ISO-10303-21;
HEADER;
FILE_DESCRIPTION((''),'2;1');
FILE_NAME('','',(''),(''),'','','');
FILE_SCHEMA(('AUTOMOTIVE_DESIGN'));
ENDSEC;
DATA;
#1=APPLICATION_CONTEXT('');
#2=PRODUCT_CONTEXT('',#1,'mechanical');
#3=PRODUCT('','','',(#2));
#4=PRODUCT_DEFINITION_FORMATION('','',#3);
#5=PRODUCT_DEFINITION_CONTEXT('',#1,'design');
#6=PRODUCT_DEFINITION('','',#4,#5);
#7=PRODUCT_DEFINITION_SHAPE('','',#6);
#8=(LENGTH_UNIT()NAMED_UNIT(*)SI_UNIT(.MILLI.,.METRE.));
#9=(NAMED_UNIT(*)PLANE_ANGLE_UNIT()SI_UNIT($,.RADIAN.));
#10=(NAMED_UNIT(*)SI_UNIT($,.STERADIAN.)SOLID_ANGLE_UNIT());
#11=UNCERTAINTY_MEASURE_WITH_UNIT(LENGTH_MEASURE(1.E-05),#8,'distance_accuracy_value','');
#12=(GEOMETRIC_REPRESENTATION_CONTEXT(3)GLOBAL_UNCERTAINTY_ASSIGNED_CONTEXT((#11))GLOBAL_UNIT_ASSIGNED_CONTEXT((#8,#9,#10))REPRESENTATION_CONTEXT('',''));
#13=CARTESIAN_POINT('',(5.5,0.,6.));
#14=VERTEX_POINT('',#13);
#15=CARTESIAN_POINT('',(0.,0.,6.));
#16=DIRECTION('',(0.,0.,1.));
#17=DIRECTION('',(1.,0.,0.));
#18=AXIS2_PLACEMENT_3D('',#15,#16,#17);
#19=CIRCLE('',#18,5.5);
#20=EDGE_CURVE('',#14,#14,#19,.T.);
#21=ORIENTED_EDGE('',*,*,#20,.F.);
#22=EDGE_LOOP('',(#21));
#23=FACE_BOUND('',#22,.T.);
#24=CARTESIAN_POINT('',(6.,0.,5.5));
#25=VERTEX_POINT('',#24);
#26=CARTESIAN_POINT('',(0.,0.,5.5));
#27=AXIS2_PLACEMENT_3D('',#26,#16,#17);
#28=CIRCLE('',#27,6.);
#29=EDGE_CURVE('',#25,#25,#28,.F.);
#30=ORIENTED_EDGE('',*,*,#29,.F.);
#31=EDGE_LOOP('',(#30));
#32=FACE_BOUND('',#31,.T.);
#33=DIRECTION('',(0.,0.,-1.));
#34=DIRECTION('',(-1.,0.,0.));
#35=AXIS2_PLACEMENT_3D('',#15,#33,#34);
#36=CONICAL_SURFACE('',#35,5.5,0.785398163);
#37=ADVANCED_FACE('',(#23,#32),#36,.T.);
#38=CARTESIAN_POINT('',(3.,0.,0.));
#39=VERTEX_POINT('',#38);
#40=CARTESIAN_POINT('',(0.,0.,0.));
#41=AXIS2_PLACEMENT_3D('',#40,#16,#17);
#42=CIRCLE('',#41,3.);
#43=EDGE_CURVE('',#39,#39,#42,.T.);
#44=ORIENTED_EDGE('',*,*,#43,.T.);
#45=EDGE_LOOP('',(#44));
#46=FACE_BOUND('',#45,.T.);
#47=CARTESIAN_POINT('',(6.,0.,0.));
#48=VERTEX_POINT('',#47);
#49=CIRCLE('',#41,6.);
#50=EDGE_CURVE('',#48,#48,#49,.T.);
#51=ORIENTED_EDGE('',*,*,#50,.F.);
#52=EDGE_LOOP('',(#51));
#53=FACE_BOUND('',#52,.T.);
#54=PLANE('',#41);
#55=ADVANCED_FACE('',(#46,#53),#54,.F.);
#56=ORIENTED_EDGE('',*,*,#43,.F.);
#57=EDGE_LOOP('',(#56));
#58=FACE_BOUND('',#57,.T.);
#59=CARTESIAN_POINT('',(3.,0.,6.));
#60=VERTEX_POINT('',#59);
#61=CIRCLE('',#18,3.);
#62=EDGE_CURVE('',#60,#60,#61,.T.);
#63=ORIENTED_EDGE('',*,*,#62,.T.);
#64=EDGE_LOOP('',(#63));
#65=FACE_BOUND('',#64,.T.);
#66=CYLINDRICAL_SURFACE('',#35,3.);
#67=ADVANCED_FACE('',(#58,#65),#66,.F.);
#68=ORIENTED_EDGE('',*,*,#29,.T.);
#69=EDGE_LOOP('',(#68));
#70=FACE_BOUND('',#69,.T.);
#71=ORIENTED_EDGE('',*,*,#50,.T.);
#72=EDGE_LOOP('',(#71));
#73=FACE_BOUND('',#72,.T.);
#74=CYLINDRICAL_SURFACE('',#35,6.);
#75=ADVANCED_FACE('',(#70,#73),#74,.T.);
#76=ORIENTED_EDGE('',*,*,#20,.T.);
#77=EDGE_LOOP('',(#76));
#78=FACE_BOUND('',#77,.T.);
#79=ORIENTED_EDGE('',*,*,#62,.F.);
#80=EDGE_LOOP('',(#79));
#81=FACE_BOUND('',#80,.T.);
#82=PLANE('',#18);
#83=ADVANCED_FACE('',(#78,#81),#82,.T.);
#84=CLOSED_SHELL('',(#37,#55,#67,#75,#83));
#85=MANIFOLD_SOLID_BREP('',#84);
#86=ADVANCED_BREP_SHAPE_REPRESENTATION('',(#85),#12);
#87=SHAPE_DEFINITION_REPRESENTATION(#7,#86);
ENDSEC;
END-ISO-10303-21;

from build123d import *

# Parameters (mm, degrees)
SKETCH1_R           = 6
SKETCH1_R_2         = 3
BOSS_EXTRUDE1_DEPTH = 6
CHAMFER1_SIZE       = 0.5


with BuildPart() as part:
    # Sketch1 → Boss-Extrude1 (new body)
    with BuildSketch(Plane.XY):
        Circle(SKETCH1_R)
        Circle(SKETCH1_R_2, mode=Mode.SUBTRACT)
    extrude(amount=BOSS_EXTRUDE1_DEPTH)

    # Chamfer1
    chamfer1_edges = [part.edges().sort_by_distance(p)[0] for p in [
        (-6, 0, 6),
    ]]
    chamfer(chamfer1_edges, length=CHAMFER1_SIZE)


solid = part.part
